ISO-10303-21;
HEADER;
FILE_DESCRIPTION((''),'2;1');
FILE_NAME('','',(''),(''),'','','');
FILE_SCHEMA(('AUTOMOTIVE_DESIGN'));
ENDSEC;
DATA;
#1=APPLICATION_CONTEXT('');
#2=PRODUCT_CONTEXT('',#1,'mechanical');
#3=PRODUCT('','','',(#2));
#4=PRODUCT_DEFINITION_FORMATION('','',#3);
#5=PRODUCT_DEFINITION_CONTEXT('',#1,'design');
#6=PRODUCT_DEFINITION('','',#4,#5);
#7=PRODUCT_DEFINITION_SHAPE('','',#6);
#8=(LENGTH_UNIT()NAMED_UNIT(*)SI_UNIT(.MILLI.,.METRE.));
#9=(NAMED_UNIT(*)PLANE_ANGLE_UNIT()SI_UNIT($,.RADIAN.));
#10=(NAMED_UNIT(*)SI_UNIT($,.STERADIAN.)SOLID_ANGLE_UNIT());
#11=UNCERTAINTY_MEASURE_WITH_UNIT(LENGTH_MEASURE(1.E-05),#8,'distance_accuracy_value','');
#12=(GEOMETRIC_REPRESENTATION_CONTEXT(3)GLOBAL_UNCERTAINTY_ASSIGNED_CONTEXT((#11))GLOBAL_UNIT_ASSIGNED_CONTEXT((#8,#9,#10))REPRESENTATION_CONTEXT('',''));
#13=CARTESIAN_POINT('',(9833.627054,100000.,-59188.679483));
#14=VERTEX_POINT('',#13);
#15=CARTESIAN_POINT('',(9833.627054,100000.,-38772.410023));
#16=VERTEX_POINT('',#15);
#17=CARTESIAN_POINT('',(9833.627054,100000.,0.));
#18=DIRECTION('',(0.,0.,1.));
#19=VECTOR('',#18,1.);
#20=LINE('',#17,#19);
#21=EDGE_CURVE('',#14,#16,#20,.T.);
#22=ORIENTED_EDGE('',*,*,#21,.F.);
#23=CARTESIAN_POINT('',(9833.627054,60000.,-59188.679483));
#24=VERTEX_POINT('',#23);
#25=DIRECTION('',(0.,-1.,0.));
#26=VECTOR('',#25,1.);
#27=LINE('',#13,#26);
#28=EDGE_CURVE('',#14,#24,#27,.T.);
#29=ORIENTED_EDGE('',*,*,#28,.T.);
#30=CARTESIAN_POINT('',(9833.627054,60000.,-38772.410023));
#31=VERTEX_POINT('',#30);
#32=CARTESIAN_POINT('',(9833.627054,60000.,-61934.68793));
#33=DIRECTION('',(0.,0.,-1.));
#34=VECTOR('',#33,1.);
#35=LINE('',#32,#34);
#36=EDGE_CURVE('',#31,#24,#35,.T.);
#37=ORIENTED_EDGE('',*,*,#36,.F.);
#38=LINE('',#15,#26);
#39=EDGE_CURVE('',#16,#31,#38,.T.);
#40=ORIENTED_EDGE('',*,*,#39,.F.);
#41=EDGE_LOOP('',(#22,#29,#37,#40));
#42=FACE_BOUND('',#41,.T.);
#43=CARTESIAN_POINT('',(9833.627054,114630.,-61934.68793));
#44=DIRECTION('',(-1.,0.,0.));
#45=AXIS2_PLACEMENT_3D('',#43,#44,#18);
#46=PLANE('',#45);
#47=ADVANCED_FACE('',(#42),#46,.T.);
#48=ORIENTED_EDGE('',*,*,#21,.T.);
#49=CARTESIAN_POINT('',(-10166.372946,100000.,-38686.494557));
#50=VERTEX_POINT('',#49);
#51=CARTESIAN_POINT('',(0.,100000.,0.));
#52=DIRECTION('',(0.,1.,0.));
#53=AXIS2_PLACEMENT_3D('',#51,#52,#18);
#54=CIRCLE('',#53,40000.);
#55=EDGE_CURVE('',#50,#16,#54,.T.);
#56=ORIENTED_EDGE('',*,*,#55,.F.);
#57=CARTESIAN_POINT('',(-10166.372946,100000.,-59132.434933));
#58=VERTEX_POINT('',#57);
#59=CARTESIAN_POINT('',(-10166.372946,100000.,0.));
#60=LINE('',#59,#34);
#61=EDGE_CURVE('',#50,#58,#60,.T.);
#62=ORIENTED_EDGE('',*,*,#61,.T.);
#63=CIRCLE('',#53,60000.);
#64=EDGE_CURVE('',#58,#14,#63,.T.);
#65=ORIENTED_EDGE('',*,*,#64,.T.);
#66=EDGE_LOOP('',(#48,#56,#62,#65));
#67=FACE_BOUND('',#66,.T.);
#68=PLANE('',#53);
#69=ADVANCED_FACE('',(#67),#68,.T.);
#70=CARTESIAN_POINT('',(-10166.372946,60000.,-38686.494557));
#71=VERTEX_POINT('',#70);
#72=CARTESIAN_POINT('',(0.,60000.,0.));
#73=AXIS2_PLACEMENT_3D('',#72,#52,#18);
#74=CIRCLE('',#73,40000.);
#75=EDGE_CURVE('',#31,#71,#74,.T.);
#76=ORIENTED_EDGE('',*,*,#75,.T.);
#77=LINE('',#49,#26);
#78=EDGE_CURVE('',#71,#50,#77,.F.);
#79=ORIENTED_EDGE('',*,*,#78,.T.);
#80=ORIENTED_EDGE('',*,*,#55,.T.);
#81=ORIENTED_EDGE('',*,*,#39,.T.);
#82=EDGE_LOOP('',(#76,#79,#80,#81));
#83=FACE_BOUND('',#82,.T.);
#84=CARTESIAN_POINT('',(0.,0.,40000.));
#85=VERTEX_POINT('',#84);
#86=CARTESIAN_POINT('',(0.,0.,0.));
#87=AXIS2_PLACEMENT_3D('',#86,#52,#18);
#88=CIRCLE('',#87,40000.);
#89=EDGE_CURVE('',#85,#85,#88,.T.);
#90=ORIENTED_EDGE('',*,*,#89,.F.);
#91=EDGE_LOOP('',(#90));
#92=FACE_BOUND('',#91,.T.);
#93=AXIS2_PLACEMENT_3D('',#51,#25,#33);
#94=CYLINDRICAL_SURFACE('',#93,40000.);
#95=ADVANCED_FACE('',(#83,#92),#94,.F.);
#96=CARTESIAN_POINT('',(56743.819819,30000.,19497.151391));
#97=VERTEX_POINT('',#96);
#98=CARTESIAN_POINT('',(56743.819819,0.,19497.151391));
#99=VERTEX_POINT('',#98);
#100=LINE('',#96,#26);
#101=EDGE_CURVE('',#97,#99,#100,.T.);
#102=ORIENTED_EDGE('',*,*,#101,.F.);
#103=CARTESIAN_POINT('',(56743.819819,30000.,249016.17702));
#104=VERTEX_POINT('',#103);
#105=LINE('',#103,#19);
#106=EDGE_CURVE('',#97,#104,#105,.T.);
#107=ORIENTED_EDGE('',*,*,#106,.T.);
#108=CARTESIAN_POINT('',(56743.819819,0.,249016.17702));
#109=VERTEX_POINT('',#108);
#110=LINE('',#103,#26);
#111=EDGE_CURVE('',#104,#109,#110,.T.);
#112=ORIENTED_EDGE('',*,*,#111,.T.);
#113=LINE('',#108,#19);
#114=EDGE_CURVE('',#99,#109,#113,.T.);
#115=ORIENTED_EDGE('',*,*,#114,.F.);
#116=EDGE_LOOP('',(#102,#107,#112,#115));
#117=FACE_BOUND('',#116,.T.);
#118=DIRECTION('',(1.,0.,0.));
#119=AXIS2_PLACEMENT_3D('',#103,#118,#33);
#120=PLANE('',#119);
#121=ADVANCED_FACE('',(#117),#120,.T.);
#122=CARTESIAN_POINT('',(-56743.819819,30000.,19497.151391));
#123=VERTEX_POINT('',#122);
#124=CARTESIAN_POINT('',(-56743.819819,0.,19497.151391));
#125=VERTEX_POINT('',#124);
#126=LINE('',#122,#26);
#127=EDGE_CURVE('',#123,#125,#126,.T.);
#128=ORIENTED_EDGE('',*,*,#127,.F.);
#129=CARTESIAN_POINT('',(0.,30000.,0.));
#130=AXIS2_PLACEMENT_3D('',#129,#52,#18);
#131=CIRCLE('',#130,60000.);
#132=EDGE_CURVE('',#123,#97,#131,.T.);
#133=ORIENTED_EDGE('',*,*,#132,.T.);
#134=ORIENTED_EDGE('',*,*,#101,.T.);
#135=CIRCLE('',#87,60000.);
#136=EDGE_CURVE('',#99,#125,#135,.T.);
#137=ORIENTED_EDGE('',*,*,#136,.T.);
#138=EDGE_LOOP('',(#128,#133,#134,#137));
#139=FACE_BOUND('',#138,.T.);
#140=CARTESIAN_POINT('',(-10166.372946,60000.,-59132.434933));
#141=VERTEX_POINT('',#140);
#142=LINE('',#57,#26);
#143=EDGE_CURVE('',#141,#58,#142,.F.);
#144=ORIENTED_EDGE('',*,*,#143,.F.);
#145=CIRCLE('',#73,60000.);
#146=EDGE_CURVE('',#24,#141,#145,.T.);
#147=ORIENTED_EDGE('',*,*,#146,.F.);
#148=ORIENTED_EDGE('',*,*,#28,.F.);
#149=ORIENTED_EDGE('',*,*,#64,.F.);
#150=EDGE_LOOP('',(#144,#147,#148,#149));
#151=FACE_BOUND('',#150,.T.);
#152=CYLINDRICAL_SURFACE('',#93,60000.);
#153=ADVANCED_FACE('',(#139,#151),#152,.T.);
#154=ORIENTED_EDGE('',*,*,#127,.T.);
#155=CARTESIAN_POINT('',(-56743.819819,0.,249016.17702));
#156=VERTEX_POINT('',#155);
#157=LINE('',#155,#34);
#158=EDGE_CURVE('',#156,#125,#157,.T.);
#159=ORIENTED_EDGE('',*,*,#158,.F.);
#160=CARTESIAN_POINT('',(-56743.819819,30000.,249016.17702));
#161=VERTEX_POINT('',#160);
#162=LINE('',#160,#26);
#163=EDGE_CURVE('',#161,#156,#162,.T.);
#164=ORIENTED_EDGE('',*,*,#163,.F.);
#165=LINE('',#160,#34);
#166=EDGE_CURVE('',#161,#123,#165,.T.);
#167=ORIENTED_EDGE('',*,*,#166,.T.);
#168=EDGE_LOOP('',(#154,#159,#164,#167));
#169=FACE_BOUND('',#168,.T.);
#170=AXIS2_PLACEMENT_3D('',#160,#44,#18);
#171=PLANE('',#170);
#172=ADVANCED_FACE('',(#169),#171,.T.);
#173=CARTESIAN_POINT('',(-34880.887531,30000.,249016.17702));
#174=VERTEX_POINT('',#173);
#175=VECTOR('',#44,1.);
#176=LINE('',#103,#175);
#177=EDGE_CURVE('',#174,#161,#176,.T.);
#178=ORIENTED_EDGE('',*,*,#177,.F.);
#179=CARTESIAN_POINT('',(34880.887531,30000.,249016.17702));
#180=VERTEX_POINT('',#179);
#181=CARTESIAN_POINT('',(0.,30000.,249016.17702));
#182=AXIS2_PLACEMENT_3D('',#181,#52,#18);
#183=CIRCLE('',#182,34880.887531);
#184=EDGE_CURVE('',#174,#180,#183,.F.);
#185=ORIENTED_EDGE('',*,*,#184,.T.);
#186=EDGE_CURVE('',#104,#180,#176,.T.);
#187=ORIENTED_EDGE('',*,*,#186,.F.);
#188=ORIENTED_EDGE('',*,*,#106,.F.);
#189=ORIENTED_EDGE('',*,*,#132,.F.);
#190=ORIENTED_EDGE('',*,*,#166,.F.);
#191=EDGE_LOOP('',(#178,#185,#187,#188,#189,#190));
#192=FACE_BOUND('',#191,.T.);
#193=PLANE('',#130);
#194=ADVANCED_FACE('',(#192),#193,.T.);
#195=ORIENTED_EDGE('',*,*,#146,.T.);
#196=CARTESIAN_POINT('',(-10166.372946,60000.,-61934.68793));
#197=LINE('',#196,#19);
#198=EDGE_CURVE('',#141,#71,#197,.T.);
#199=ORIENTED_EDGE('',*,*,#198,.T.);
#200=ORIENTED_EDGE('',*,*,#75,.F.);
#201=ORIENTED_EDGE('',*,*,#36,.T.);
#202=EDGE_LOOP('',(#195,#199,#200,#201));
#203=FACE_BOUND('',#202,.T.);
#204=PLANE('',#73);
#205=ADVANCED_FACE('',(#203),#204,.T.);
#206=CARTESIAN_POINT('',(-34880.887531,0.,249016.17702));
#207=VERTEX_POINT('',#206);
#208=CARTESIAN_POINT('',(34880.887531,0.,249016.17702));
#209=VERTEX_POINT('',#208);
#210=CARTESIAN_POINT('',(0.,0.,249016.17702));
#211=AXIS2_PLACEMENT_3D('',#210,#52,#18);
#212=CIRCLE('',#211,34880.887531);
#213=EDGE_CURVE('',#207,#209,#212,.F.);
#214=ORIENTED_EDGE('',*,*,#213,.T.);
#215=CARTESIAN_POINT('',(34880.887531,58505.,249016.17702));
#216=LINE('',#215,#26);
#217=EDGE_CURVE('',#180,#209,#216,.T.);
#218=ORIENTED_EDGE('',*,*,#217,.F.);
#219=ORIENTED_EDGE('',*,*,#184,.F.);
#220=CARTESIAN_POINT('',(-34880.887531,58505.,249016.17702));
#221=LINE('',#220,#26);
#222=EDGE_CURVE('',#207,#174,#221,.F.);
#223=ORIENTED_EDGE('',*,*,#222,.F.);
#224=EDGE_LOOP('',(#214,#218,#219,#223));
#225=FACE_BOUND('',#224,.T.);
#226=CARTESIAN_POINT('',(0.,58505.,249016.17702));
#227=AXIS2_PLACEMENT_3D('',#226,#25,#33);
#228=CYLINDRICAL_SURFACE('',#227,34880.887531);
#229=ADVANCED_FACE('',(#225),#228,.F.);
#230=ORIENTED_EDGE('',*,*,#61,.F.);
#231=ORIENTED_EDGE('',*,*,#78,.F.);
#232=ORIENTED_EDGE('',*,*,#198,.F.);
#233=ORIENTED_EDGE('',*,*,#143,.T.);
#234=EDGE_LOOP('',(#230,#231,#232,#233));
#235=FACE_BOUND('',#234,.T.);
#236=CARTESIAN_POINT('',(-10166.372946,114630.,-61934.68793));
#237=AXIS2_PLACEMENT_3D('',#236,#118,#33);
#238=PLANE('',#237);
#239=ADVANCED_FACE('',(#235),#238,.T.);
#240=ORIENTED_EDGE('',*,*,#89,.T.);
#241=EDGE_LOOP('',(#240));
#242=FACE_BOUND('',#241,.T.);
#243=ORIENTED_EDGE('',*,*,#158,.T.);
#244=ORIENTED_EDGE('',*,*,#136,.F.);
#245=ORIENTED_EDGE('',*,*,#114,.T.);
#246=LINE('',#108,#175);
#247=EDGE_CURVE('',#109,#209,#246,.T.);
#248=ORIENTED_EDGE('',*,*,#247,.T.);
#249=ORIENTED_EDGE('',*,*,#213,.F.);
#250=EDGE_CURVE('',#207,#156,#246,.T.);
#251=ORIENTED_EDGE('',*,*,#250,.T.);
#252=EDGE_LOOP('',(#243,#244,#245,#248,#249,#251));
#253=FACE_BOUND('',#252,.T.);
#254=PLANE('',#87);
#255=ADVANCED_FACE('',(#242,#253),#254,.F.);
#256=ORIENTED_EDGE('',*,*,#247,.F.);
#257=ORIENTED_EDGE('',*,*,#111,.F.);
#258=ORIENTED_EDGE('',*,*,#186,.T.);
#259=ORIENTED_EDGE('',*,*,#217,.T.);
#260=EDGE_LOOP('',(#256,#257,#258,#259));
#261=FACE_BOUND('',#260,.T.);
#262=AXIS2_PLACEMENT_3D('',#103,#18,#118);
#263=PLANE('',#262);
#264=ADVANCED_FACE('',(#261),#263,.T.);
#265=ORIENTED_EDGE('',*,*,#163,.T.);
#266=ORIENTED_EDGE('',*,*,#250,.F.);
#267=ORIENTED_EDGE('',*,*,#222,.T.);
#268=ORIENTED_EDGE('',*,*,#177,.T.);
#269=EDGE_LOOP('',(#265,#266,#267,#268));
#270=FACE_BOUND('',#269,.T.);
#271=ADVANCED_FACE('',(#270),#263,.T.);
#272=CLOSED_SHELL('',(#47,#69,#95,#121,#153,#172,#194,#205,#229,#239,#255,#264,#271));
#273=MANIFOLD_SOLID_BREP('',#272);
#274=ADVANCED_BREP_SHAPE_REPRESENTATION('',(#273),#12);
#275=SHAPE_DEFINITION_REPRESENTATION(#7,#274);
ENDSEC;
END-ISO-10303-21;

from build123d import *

# Parameters (mm, degrees)
SKETCH2_R               = 60000
SKETCH2_R_2             = 40000
BOSS_EXTRUDE1_DEPTH     = 100000
CUT_EXTRUDE1_DEPTH      = 14630
CUT_EXTRUDE1_DEPTH_BACK = 40000
SKETCH3_W               = 20000
SKETCH3_H               = 53751.270372234
SKETCH6_W               = 113487.639637956
SKETCH6_H               = 229519.025629528
BOSS_EXTRUDE3_DEPTH     = 30000
CUT_EXTRUDE2_DEPTH      = 28505
CUT_EXTRUDE2_DEPTH_BACK = 58994
SKETCH7_R               = 34880.887530656
CUT_EXTRUDE4_DEPTH      = 51190
CUT_EXTRUDE4_DEPTH_BACK = 76239
SKETCH8_R               = 40000


with BuildPart() as part:
    # Sketch2 → Boss-Extrude1 (new body)
    with BuildSketch(Plane(origin=(0, 0, 0), x_dir=(1, 0, 0), z_dir=(0, 1, 0))):
        with Locations(Location((0, 0, 0), (0, 0, 270))):
            Circle(SKETCH2_R)
        with Locations(Location((0, 0, 0), (0, 0, 270))):
            Circle(SKETCH2_R_2, mode=Mode.SUBTRACT)
    extrude(amount=BOSS_EXTRUDE1_DEPTH)

    # Sketch3 → Cut-Extrude1 (cut, two sides: drawn at the far end of the back side and taken through both)
    with BuildSketch(Plane(origin=(0, 100000, 0), x_dir=(1, 0, 0), z_dir=(0, 1, 0)).offset(-CUT_EXTRUDE1_DEPTH_BACK)):
        with Locations((-166.372945862, 35059.052743673)):
            Rectangle(SKETCH3_W, SKETCH3_H)
    extrude(amount=CUT_EXTRUDE1_DEPTH + CUT_EXTRUDE1_DEPTH_BACK, mode=Mode.SUBTRACT)

    # Sketch6 → Boss-Extrude3 (add)
    with BuildSketch(Plane.XZ):
        with Locations((0, 134256.664205451)):
            Rectangle(SKETCH6_W, SKETCH6_H)
    extrude(amount=-BOSS_EXTRUDE3_DEPTH)

    # Sketch7 → Cut-Extrude2 (cut, two sides: drawn at the far end of the back side and taken through both)
    with BuildSketch(Plane(origin=(0, 30000, 0), x_dir=(1, 0, 0), z_dir=(0, 1, 0)).offset(-CUT_EXTRUDE2_DEPTH_BACK)):
        with Locations((0, -249016.177020215)):
            Circle(SKETCH7_R)
    extrude(amount=CUT_EXTRUDE2_DEPTH + CUT_EXTRUDE2_DEPTH_BACK, mode=Mode.SUBTRACT)

    # Sketch8 → Cut-Extrude4 (cut, two sides: drawn at the far end of the back side and taken through both)
    with BuildSketch(Plane(origin=(0, 30000, 0), x_dir=(1, 0, 0), z_dir=(0, 1, 0)).offset(-CUT_EXTRUDE4_DEPTH_BACK)):
        with Locations(Location((0, 0, 0), (0, 0, 75.76847948))):
            Circle(SKETCH8_R)
    extrude(amount=CUT_EXTRUDE4_DEPTH + CUT_EXTRUDE4_DEPTH_BACK, mode=Mode.SUBTRACT)


solid = part.part
